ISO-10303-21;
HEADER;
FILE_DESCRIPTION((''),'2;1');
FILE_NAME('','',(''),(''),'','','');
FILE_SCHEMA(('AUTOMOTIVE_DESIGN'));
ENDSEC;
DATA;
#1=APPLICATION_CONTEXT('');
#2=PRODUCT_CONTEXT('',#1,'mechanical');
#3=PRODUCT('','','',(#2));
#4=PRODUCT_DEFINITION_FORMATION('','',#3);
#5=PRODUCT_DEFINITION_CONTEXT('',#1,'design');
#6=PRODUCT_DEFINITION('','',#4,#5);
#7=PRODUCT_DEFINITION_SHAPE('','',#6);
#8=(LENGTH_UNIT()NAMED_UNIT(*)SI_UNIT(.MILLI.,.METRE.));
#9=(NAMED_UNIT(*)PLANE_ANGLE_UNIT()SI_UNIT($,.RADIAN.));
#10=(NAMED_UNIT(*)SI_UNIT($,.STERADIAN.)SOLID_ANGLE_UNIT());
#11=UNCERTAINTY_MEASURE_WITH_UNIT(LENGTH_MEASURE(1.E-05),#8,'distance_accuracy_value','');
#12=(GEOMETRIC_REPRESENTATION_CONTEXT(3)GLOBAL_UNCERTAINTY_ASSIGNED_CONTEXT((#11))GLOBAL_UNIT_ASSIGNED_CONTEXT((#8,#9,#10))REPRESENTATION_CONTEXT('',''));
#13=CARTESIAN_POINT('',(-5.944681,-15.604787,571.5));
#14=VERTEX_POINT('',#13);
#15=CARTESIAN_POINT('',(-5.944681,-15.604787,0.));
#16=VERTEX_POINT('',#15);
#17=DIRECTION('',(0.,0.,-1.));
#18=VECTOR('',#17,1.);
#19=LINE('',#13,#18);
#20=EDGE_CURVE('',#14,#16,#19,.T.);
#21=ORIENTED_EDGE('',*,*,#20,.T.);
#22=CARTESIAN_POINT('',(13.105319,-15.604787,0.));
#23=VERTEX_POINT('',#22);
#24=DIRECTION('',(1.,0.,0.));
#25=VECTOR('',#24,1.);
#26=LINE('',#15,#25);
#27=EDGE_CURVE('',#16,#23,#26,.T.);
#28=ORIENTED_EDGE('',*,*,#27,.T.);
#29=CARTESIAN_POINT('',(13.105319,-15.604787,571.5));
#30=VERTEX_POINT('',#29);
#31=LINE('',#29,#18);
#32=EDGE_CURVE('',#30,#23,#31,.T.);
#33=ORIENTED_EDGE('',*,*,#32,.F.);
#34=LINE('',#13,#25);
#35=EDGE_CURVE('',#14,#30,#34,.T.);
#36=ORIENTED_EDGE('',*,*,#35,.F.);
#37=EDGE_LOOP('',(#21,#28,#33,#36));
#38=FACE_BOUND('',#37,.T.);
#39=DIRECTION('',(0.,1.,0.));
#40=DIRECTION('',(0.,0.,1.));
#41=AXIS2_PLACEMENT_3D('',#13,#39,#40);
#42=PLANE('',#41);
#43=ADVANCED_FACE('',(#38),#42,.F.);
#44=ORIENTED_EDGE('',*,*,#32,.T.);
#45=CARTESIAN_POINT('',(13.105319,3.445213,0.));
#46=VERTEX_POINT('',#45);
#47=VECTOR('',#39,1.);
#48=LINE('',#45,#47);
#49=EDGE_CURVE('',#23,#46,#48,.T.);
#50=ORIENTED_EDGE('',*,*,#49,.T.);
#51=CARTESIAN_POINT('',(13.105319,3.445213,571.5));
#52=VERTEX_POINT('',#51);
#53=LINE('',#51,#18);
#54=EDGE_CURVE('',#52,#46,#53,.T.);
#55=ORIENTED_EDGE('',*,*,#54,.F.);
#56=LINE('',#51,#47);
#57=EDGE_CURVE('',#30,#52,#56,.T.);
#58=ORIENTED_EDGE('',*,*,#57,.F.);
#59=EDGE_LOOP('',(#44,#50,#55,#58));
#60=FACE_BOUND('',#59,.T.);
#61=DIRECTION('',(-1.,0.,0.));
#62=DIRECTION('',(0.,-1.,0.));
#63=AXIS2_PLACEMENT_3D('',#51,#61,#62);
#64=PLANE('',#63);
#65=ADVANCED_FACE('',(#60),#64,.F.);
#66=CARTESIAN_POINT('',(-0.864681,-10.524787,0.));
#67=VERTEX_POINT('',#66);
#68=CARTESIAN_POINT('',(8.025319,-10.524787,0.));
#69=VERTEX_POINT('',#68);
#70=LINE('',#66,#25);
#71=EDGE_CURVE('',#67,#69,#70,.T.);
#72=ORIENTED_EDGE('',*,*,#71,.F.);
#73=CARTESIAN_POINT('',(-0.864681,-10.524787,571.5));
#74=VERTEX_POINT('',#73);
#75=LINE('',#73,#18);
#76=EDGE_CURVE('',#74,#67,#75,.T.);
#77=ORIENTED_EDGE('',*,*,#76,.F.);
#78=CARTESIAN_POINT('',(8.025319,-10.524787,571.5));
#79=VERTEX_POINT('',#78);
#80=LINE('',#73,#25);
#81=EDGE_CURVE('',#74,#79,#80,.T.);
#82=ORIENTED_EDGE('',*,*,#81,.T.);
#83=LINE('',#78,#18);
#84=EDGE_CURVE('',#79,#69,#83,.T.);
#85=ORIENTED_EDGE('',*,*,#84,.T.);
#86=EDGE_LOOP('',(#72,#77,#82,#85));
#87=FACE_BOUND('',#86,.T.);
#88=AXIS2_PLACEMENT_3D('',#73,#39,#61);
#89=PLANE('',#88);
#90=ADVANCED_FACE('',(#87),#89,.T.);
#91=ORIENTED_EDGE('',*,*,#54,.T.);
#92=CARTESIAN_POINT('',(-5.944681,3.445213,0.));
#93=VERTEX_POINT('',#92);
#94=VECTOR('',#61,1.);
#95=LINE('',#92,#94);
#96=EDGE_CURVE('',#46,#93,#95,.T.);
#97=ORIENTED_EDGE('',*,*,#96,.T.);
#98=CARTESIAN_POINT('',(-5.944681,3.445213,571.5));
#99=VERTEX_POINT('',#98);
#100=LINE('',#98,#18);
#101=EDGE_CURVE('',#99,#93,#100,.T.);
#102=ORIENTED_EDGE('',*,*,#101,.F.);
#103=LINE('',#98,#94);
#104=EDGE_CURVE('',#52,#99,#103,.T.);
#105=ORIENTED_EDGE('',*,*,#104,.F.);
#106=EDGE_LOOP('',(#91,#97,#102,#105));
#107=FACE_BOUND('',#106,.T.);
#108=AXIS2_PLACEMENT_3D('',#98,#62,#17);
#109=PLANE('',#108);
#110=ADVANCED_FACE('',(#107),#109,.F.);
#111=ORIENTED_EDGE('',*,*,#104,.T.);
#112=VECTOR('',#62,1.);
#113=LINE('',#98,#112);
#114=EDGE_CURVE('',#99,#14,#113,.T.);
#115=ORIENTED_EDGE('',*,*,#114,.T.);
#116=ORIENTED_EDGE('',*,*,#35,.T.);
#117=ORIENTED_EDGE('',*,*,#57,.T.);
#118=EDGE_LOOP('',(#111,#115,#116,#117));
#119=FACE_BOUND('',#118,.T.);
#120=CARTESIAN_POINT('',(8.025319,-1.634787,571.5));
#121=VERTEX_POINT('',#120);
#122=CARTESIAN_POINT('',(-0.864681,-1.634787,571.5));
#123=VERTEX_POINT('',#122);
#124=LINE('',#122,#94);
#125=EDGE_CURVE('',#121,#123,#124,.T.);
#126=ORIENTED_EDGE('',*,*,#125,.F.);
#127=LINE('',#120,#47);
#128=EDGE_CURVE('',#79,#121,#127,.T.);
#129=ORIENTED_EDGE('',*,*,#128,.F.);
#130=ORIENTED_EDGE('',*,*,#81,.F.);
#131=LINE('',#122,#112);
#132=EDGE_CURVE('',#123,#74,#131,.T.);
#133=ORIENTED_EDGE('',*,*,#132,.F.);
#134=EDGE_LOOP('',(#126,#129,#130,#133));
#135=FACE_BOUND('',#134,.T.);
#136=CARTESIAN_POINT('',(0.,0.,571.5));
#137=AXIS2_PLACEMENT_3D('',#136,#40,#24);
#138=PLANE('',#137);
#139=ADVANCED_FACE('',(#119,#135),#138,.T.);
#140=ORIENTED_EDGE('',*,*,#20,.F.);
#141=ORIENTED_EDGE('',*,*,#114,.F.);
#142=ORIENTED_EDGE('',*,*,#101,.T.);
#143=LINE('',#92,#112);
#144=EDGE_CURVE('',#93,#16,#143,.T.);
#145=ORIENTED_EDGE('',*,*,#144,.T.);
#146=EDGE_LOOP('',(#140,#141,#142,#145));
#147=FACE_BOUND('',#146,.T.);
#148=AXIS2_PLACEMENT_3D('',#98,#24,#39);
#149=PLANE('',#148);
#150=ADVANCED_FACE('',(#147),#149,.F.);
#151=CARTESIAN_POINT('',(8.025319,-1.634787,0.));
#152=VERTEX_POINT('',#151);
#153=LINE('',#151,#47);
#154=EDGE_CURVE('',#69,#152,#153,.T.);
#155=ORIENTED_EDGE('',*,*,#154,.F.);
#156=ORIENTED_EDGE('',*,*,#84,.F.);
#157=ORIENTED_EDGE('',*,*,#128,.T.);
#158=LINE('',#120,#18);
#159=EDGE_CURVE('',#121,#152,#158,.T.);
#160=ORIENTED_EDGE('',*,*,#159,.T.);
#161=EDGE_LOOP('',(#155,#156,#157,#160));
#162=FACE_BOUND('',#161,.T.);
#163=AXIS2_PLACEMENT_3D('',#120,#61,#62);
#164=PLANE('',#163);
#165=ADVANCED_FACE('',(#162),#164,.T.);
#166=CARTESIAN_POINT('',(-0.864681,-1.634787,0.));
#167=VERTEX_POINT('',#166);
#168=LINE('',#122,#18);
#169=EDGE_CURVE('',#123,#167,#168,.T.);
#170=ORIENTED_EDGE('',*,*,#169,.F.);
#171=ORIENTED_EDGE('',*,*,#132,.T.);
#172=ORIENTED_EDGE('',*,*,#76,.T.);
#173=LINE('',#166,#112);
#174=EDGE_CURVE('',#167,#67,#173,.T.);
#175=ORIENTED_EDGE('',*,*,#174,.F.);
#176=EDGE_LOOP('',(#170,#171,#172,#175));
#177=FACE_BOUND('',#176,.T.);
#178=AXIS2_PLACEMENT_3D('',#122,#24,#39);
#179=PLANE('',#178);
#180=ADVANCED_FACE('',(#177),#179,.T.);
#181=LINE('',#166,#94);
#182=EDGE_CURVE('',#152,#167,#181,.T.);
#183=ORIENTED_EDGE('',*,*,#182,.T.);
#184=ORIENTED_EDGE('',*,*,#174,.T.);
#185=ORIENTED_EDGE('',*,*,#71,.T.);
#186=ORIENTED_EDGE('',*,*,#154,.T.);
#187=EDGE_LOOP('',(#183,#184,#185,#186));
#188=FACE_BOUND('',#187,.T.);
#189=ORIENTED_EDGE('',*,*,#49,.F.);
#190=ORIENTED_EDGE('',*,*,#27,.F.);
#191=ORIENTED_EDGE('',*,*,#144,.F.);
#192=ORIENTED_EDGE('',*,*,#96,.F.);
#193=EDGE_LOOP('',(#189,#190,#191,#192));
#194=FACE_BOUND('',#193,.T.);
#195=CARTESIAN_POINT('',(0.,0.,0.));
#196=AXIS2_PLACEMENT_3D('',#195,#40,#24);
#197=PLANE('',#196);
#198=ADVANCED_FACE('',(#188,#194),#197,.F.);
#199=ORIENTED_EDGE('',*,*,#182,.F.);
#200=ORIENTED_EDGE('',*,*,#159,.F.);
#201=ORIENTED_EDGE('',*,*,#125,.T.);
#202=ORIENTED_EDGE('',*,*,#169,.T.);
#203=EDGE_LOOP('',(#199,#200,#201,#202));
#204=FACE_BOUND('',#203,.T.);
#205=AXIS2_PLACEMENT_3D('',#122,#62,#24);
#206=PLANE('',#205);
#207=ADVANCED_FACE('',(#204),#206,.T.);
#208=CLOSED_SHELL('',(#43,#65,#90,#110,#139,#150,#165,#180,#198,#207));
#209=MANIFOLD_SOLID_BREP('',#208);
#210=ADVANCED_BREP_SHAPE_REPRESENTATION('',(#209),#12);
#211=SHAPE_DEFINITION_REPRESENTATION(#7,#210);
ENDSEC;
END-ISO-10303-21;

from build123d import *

# Parameters (mm, degrees)
SKETCH1_W           = 19.05
SKETCH1_H           = 19.05
SKETCH1_W_2         = 8.89
SKETCH1_H_2         = 8.89
BOSS_EXTRUDE1_DEPTH = 571.5


with BuildPart() as part:
    # Sketch1 → Boss-Extrude1 (new body)
    with BuildSketch(Plane.XY):
        with Locations((3.580319149, -6.079787234)):
            Rectangle(SKETCH1_W, SKETCH1_H)
        with Locations((3.580319149, -6.079787234)):
            Rectangle(SKETCH1_W_2, SKETCH1_H_2, mode=Mode.SUBTRACT)
    extrude(amount=BOSS_EXTRUDE1_DEPTH)


solid = part.part
